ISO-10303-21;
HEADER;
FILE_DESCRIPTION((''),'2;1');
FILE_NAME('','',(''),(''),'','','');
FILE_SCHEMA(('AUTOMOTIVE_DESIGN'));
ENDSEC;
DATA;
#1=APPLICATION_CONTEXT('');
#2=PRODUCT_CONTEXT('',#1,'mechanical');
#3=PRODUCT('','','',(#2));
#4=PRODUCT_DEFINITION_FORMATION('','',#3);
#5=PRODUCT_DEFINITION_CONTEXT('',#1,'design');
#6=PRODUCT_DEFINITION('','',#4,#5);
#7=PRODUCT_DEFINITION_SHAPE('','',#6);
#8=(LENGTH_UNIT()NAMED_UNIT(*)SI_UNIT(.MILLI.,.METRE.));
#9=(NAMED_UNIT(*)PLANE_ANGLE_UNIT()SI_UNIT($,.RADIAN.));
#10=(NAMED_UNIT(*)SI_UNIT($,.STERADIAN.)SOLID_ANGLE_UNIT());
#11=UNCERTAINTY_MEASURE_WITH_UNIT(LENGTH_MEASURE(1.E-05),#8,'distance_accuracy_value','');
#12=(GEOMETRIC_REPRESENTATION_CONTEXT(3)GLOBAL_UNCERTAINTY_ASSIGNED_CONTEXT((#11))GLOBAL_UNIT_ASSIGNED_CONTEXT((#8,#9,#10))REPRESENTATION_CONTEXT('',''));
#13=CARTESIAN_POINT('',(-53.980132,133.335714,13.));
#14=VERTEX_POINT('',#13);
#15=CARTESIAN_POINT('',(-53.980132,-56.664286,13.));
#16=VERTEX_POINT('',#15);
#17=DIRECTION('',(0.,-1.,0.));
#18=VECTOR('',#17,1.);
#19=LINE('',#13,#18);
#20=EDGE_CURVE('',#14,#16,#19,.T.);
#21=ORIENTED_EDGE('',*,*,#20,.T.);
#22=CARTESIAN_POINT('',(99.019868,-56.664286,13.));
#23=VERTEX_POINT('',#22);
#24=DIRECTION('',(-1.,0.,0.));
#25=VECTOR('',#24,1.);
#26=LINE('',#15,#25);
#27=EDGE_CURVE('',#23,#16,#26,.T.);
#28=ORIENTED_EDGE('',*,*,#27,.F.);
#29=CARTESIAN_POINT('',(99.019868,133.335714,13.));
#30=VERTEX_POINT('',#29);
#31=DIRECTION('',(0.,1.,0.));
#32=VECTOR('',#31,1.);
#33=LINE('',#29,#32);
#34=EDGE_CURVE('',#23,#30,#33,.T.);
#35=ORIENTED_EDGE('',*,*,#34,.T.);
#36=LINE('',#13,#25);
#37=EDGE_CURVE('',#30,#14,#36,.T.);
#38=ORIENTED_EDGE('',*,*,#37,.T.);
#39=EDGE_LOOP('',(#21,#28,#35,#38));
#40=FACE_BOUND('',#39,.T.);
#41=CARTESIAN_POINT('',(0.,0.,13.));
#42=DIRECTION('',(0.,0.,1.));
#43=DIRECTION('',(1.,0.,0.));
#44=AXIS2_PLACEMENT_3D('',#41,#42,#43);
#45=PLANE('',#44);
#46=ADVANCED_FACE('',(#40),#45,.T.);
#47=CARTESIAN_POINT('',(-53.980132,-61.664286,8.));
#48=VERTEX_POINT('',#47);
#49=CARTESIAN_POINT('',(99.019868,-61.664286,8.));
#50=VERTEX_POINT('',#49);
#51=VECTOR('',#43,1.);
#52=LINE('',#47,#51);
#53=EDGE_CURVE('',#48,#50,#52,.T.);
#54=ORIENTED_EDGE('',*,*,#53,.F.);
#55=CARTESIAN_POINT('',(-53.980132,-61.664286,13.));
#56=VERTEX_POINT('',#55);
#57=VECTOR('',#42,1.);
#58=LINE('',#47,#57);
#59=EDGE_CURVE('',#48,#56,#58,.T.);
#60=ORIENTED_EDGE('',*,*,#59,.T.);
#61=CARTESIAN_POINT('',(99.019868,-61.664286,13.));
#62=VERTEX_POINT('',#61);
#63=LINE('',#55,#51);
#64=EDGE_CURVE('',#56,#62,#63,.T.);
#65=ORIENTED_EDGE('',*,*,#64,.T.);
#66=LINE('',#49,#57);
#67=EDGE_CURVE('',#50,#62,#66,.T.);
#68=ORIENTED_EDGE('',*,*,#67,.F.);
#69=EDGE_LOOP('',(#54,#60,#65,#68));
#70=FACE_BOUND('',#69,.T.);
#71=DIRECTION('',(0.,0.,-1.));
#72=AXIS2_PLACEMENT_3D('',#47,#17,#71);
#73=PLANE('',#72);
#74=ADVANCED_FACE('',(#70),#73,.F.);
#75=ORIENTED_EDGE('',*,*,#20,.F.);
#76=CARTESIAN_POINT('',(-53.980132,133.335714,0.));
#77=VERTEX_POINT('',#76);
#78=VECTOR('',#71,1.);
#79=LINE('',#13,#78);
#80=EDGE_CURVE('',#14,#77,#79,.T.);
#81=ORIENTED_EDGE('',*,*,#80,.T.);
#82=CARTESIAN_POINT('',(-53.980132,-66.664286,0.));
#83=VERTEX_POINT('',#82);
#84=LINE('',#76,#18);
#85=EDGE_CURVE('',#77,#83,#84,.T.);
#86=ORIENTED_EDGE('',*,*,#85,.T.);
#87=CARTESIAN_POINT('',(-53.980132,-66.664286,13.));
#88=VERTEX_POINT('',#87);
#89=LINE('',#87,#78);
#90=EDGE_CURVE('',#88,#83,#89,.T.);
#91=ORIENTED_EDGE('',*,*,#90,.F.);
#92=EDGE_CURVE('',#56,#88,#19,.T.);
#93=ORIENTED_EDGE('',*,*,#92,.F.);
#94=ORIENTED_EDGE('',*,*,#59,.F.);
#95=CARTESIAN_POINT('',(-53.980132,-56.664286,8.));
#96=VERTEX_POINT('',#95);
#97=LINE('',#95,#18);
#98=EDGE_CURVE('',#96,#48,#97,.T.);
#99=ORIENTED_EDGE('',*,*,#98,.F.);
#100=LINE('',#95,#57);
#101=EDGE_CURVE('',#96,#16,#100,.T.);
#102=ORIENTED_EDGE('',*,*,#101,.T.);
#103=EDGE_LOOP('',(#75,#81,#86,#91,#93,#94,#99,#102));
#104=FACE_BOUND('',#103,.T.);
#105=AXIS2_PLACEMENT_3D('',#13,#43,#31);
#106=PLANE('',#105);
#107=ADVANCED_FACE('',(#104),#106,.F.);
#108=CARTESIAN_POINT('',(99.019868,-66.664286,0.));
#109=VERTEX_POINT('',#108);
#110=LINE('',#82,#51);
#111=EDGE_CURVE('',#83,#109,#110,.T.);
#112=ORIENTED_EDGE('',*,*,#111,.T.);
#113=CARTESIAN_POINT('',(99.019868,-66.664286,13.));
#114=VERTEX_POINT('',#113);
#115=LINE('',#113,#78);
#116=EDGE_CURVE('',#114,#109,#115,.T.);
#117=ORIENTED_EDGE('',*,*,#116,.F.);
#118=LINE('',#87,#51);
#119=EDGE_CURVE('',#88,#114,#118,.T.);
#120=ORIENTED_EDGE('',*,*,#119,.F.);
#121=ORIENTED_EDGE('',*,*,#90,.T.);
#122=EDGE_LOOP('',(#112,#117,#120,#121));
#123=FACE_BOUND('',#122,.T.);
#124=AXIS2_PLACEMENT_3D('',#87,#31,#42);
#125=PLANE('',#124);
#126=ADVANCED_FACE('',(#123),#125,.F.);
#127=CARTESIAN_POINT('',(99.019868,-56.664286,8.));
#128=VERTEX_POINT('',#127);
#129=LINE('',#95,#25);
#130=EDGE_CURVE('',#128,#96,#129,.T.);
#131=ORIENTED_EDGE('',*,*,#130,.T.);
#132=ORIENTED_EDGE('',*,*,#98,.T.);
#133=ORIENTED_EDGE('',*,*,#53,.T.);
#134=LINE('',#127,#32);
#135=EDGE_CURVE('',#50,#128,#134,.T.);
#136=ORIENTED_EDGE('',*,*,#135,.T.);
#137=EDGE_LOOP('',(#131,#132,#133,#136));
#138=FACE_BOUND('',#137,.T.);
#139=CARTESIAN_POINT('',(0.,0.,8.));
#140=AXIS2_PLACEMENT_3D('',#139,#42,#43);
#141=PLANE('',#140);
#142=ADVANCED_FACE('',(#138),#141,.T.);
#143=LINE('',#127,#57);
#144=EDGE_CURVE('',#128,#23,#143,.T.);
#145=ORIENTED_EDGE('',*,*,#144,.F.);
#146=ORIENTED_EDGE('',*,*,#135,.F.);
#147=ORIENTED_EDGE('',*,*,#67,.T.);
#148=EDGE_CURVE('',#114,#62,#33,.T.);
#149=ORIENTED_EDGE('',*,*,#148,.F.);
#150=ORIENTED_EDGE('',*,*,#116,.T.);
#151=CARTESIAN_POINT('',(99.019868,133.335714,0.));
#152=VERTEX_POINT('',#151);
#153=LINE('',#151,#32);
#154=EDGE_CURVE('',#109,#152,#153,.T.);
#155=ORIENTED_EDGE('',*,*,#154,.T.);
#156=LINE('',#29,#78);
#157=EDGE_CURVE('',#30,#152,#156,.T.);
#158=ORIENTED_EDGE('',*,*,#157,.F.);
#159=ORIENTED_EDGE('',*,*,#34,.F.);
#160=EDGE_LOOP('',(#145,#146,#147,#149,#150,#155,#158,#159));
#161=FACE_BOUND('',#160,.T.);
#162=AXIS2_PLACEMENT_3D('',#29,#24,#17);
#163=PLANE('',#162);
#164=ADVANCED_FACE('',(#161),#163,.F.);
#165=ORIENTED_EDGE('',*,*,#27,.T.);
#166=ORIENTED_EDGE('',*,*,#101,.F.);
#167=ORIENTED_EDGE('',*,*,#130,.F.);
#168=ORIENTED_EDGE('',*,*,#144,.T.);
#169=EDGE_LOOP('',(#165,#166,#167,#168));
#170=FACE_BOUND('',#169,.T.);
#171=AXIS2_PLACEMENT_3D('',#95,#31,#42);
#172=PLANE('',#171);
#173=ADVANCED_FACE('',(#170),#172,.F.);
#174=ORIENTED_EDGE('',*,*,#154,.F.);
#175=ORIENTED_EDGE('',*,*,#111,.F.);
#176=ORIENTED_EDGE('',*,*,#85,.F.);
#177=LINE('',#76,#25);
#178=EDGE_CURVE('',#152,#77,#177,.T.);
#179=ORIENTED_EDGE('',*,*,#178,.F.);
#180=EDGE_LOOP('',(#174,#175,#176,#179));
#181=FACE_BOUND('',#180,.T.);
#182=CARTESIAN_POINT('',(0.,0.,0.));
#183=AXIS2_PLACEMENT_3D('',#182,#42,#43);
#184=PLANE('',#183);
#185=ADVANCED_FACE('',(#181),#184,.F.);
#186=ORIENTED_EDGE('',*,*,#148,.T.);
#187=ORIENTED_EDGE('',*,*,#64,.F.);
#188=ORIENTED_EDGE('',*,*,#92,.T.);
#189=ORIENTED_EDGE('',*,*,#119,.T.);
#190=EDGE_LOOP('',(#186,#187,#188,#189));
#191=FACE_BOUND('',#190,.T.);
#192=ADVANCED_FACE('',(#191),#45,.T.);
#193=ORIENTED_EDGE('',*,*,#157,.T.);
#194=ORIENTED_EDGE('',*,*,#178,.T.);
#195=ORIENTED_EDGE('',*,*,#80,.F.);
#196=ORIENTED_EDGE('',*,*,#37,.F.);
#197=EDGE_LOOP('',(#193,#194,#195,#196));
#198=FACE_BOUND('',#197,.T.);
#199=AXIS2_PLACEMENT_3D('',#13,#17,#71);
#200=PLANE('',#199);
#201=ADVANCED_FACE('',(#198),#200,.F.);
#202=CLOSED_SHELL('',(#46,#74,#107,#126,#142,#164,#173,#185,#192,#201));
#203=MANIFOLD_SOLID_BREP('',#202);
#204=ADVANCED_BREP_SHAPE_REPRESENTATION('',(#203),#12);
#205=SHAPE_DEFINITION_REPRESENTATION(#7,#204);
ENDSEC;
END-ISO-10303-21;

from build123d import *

# Parameters (mm, degrees)
SKETCH_1_W          = 153
SKETCH_1_H          = 200
EXTRUDE_1_DEPTH     = 13
SKETCH_2_W          = 153
SKETCH_2_H          = 5
CUT_EXTRUDE_1_DEPTH = 5


with BuildPart() as part:
    # ｽｹｯﾁ1 → ﾎﾞｽ - 押し出し1 (new body)
    with BuildSketch(Plane.XY):
        with Locations((22.519868277, 33.335714286)):
            Rectangle(SKETCH_1_W, SKETCH_1_H)
    extrude(amount=EXTRUDE_1_DEPTH)

    # ｽｹｯﾁ2 → ｶｯﾄ - 押し出し1 (cut)
    with BuildSketch(Plane.XY.offset(13)):
        with Locations((22.519868277, -59.164285714)):
            Rectangle(SKETCH_2_W, SKETCH_2_H)
    extrude(amount=-CUT_EXTRUDE_1_DEPTH, mode=Mode.SUBTRACT)


solid = part.part
